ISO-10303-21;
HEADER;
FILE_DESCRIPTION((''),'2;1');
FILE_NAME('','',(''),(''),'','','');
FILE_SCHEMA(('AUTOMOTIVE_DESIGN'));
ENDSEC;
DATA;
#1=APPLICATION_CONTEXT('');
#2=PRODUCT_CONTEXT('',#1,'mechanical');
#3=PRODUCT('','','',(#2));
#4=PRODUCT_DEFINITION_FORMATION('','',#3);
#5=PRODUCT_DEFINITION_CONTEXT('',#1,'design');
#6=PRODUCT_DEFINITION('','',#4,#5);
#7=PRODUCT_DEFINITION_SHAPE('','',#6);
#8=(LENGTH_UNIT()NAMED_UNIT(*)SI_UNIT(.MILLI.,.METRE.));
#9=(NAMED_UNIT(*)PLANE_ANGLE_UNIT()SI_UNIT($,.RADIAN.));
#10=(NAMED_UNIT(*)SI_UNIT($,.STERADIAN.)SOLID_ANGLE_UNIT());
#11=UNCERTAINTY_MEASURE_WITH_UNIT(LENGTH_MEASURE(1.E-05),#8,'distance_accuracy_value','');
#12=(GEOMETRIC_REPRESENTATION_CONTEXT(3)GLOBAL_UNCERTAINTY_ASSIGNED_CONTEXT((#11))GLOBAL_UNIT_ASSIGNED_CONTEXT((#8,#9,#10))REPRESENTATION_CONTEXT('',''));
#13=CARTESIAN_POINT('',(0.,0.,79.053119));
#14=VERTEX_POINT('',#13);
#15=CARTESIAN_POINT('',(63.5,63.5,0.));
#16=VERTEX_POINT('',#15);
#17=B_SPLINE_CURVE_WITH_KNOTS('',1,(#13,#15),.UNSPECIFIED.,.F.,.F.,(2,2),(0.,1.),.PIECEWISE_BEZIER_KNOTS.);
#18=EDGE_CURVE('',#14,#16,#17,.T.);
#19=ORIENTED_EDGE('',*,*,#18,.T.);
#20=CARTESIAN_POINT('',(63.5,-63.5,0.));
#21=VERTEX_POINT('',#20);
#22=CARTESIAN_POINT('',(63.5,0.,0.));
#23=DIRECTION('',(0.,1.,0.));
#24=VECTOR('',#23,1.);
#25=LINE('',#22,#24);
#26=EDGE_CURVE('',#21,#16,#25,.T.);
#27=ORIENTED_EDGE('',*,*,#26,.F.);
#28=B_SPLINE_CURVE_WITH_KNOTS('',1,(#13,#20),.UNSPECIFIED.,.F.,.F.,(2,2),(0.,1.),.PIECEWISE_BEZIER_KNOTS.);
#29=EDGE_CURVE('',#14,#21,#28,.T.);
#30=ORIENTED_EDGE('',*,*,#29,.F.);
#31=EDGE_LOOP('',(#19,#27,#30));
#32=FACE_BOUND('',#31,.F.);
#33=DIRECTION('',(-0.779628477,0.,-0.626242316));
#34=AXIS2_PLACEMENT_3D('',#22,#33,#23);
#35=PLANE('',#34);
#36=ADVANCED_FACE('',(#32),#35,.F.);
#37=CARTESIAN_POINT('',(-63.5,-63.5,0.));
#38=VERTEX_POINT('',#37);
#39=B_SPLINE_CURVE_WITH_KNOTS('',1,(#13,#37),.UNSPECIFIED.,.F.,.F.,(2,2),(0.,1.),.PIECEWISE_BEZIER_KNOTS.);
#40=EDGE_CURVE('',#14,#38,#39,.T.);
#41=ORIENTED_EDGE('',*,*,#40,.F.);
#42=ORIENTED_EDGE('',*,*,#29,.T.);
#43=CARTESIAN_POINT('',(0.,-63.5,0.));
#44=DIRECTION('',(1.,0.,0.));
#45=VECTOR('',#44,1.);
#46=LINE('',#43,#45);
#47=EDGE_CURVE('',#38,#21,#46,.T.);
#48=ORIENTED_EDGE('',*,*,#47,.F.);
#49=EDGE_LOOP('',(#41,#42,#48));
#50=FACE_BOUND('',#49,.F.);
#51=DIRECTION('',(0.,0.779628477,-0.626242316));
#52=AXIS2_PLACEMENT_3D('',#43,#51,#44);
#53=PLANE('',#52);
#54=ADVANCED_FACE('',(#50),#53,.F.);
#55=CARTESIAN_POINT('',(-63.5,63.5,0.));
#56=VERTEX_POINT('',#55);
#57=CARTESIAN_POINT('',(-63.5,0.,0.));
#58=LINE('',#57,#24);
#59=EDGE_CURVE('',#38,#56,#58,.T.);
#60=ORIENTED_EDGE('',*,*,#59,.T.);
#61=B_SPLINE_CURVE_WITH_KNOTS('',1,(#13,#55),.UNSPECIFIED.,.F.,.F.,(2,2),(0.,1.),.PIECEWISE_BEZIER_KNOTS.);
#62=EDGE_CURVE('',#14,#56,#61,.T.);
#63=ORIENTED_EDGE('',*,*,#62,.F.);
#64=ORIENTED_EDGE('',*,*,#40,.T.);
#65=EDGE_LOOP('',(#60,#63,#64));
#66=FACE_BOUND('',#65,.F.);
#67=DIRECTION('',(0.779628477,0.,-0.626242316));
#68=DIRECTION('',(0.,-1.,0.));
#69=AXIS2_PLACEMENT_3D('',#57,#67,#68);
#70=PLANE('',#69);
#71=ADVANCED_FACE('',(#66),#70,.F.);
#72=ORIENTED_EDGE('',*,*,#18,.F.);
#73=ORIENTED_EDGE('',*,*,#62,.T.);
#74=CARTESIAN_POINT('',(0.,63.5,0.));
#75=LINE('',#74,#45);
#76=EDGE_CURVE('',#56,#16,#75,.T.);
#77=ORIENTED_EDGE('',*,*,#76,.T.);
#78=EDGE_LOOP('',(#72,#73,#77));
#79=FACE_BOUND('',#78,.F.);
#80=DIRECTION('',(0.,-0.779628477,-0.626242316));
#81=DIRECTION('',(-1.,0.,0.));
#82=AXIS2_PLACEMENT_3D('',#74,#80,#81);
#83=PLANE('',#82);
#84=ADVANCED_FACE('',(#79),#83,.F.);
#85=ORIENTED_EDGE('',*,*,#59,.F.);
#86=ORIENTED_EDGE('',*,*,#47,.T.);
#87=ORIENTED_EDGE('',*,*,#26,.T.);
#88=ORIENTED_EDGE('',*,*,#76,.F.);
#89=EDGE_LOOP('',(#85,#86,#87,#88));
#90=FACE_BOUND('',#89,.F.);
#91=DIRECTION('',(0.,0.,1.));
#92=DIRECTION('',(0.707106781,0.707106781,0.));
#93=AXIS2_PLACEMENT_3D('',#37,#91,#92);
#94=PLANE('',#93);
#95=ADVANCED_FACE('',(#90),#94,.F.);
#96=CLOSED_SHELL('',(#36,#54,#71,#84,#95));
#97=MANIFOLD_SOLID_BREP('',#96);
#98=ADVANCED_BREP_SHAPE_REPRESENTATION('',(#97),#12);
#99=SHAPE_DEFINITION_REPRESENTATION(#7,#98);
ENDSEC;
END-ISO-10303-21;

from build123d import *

# Parameters (mm, degrees)
F0_W = 127
F0_H = 127


with BuildPart() as f2:
    # F0 (on Top) → F2 section 0
    with BuildSketch(Plane.XY, mode=Mode.PRIVATE) as f2_s0:
        Rectangle(F0_W, F0_H)
    loft([Vertex(0, 0, 79.053119), f2_s0.sketch])


solid = f2.part
